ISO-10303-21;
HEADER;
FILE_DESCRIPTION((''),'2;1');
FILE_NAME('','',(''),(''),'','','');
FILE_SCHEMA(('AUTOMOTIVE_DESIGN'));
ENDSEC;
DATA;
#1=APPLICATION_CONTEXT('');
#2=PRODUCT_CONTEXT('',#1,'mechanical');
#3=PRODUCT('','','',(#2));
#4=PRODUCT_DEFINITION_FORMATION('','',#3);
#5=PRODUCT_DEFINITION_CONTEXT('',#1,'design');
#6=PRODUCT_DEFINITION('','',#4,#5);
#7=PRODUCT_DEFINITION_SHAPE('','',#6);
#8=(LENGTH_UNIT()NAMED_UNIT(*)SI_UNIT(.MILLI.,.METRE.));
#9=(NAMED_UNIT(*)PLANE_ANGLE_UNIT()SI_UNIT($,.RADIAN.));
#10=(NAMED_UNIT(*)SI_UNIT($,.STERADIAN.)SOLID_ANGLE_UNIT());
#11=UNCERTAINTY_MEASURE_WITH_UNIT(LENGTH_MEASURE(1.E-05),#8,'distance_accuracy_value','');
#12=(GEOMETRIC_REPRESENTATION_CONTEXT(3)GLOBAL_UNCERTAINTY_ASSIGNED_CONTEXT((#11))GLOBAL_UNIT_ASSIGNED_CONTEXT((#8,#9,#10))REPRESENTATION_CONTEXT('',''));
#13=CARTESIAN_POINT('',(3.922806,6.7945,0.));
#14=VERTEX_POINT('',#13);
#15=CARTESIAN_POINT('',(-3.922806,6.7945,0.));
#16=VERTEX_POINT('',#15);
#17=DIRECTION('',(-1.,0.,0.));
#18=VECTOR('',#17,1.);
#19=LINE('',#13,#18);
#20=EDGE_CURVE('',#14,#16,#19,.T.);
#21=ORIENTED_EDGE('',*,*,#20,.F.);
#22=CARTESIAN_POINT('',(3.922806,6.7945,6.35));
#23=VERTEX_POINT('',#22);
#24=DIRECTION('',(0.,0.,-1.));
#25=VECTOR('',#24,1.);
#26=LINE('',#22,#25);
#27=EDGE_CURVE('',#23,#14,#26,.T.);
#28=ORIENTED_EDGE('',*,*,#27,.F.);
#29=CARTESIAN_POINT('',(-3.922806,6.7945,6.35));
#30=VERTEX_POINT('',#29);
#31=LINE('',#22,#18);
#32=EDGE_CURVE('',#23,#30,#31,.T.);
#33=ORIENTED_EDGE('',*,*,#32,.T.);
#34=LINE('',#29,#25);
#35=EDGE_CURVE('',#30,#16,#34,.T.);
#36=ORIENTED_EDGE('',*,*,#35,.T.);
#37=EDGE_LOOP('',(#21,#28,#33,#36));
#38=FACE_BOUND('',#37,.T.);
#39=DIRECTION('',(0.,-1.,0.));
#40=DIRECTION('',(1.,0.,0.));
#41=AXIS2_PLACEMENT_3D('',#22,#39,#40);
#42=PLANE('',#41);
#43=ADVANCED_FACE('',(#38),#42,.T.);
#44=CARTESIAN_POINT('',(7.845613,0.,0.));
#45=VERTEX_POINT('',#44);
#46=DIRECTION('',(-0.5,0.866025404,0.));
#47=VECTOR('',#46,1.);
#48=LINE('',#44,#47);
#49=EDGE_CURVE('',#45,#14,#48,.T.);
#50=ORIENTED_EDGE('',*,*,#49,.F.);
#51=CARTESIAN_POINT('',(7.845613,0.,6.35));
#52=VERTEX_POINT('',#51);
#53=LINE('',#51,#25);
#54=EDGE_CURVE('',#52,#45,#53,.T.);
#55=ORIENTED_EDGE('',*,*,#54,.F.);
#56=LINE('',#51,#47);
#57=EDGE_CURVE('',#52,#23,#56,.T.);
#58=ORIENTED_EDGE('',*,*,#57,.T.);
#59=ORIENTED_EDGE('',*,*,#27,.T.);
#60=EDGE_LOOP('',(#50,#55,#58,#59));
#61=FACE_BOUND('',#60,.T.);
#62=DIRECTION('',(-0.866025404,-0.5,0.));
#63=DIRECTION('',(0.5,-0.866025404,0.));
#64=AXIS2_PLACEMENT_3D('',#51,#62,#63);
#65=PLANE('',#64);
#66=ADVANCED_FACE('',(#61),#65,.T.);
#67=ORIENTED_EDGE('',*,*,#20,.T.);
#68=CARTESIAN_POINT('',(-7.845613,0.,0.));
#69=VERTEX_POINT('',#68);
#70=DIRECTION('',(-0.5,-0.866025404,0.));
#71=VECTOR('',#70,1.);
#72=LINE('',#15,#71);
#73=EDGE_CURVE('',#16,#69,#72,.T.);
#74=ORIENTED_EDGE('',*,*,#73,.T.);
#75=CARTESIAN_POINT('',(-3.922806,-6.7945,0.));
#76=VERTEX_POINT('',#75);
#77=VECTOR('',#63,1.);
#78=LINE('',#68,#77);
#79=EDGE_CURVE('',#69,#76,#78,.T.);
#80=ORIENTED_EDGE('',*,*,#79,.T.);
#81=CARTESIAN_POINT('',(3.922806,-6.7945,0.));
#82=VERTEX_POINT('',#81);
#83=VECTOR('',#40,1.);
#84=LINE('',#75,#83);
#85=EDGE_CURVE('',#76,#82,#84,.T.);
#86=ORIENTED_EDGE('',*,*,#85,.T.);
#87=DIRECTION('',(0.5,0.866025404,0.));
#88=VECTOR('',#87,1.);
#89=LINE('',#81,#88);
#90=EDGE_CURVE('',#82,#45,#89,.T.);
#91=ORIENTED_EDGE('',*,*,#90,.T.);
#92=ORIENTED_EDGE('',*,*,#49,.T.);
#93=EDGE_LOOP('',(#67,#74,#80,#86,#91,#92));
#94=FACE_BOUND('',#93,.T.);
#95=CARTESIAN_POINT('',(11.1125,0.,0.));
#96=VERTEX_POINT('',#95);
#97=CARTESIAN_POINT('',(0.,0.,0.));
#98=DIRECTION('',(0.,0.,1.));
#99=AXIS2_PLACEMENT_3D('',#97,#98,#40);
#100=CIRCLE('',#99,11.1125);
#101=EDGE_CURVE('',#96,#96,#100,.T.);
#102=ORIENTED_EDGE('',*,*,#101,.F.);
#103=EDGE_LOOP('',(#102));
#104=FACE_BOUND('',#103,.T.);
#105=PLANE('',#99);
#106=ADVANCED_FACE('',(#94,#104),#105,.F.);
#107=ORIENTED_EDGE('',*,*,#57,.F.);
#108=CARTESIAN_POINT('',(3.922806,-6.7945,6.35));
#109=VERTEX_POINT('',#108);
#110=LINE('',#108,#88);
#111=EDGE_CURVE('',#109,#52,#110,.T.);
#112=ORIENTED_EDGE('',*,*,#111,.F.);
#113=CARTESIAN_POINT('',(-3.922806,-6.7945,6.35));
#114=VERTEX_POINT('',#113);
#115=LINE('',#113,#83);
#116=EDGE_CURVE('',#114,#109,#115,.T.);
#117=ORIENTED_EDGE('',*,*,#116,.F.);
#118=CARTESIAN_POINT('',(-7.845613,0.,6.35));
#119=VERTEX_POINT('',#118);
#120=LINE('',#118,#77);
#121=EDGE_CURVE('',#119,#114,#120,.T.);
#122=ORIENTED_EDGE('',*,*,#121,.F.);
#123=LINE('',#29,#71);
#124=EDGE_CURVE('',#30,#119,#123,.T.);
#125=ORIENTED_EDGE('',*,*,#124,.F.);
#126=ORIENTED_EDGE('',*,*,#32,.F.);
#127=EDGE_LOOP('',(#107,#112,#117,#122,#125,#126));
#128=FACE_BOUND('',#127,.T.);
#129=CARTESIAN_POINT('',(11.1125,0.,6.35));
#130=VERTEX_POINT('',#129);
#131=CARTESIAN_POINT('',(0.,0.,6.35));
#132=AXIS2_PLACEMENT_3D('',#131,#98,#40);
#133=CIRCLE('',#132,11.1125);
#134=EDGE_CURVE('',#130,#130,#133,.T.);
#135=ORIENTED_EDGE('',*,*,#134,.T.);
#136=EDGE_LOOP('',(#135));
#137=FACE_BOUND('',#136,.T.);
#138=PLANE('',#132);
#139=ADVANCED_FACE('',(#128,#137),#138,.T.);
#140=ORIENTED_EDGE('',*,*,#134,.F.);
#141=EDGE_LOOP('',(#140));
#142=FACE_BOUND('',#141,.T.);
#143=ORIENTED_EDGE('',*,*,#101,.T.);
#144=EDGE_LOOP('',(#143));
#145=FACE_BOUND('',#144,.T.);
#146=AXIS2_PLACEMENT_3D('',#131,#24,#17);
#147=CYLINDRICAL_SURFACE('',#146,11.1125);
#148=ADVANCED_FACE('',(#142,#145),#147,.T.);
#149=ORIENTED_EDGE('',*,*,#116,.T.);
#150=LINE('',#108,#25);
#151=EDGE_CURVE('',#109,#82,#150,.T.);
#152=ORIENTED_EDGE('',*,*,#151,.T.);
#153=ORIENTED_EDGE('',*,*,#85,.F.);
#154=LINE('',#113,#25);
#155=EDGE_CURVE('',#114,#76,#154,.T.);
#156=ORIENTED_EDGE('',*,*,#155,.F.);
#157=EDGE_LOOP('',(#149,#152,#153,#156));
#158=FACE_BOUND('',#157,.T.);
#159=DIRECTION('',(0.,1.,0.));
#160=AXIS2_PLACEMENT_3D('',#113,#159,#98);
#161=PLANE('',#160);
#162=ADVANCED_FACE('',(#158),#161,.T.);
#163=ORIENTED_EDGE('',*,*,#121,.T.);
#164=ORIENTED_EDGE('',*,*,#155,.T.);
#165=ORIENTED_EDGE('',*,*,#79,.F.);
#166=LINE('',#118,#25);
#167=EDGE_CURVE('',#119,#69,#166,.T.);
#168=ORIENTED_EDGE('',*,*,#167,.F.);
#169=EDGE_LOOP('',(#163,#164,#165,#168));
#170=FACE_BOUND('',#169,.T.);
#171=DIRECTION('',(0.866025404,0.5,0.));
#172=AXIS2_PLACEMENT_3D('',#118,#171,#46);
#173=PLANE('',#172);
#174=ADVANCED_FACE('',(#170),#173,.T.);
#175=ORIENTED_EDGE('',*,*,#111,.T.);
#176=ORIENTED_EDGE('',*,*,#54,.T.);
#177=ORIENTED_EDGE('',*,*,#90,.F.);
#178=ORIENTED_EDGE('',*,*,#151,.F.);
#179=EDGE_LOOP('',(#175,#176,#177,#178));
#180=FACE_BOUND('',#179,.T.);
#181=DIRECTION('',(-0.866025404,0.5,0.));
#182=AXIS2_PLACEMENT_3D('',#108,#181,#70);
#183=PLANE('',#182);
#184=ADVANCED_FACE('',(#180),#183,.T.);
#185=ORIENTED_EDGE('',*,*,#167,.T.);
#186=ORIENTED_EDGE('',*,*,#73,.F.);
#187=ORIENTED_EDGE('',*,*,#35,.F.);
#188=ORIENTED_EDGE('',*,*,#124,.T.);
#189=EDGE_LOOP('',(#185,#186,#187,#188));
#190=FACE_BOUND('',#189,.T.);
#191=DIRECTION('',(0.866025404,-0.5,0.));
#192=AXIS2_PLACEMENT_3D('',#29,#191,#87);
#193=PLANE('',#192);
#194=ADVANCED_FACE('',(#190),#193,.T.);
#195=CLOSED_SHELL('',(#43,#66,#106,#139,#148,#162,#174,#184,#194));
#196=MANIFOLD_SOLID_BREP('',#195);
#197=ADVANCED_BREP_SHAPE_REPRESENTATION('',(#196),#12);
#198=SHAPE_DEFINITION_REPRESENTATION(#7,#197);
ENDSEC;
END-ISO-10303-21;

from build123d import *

# Parameters (mm, degrees)
SKETCH1_R           = 11.1125
BOSS_EXTRUDE1_DEPTH = 6.35


with BuildPart() as part:
    # Sketch1 → Boss-Extrude1 (new body)
    with BuildSketch(Plane.XY):
        Circle(SKETCH1_R)
        Polygon((7.845612808, 0), (3.922806404, 6.7945), (-3.922806404, 6.7945), (-7.845612808, 0), (-3.922806404, -6.7945), (3.922806404, -6.7945), align=None, mode=Mode.SUBTRACT)
    extrude(amount=BOSS_EXTRUDE1_DEPTH)


solid = part.part
